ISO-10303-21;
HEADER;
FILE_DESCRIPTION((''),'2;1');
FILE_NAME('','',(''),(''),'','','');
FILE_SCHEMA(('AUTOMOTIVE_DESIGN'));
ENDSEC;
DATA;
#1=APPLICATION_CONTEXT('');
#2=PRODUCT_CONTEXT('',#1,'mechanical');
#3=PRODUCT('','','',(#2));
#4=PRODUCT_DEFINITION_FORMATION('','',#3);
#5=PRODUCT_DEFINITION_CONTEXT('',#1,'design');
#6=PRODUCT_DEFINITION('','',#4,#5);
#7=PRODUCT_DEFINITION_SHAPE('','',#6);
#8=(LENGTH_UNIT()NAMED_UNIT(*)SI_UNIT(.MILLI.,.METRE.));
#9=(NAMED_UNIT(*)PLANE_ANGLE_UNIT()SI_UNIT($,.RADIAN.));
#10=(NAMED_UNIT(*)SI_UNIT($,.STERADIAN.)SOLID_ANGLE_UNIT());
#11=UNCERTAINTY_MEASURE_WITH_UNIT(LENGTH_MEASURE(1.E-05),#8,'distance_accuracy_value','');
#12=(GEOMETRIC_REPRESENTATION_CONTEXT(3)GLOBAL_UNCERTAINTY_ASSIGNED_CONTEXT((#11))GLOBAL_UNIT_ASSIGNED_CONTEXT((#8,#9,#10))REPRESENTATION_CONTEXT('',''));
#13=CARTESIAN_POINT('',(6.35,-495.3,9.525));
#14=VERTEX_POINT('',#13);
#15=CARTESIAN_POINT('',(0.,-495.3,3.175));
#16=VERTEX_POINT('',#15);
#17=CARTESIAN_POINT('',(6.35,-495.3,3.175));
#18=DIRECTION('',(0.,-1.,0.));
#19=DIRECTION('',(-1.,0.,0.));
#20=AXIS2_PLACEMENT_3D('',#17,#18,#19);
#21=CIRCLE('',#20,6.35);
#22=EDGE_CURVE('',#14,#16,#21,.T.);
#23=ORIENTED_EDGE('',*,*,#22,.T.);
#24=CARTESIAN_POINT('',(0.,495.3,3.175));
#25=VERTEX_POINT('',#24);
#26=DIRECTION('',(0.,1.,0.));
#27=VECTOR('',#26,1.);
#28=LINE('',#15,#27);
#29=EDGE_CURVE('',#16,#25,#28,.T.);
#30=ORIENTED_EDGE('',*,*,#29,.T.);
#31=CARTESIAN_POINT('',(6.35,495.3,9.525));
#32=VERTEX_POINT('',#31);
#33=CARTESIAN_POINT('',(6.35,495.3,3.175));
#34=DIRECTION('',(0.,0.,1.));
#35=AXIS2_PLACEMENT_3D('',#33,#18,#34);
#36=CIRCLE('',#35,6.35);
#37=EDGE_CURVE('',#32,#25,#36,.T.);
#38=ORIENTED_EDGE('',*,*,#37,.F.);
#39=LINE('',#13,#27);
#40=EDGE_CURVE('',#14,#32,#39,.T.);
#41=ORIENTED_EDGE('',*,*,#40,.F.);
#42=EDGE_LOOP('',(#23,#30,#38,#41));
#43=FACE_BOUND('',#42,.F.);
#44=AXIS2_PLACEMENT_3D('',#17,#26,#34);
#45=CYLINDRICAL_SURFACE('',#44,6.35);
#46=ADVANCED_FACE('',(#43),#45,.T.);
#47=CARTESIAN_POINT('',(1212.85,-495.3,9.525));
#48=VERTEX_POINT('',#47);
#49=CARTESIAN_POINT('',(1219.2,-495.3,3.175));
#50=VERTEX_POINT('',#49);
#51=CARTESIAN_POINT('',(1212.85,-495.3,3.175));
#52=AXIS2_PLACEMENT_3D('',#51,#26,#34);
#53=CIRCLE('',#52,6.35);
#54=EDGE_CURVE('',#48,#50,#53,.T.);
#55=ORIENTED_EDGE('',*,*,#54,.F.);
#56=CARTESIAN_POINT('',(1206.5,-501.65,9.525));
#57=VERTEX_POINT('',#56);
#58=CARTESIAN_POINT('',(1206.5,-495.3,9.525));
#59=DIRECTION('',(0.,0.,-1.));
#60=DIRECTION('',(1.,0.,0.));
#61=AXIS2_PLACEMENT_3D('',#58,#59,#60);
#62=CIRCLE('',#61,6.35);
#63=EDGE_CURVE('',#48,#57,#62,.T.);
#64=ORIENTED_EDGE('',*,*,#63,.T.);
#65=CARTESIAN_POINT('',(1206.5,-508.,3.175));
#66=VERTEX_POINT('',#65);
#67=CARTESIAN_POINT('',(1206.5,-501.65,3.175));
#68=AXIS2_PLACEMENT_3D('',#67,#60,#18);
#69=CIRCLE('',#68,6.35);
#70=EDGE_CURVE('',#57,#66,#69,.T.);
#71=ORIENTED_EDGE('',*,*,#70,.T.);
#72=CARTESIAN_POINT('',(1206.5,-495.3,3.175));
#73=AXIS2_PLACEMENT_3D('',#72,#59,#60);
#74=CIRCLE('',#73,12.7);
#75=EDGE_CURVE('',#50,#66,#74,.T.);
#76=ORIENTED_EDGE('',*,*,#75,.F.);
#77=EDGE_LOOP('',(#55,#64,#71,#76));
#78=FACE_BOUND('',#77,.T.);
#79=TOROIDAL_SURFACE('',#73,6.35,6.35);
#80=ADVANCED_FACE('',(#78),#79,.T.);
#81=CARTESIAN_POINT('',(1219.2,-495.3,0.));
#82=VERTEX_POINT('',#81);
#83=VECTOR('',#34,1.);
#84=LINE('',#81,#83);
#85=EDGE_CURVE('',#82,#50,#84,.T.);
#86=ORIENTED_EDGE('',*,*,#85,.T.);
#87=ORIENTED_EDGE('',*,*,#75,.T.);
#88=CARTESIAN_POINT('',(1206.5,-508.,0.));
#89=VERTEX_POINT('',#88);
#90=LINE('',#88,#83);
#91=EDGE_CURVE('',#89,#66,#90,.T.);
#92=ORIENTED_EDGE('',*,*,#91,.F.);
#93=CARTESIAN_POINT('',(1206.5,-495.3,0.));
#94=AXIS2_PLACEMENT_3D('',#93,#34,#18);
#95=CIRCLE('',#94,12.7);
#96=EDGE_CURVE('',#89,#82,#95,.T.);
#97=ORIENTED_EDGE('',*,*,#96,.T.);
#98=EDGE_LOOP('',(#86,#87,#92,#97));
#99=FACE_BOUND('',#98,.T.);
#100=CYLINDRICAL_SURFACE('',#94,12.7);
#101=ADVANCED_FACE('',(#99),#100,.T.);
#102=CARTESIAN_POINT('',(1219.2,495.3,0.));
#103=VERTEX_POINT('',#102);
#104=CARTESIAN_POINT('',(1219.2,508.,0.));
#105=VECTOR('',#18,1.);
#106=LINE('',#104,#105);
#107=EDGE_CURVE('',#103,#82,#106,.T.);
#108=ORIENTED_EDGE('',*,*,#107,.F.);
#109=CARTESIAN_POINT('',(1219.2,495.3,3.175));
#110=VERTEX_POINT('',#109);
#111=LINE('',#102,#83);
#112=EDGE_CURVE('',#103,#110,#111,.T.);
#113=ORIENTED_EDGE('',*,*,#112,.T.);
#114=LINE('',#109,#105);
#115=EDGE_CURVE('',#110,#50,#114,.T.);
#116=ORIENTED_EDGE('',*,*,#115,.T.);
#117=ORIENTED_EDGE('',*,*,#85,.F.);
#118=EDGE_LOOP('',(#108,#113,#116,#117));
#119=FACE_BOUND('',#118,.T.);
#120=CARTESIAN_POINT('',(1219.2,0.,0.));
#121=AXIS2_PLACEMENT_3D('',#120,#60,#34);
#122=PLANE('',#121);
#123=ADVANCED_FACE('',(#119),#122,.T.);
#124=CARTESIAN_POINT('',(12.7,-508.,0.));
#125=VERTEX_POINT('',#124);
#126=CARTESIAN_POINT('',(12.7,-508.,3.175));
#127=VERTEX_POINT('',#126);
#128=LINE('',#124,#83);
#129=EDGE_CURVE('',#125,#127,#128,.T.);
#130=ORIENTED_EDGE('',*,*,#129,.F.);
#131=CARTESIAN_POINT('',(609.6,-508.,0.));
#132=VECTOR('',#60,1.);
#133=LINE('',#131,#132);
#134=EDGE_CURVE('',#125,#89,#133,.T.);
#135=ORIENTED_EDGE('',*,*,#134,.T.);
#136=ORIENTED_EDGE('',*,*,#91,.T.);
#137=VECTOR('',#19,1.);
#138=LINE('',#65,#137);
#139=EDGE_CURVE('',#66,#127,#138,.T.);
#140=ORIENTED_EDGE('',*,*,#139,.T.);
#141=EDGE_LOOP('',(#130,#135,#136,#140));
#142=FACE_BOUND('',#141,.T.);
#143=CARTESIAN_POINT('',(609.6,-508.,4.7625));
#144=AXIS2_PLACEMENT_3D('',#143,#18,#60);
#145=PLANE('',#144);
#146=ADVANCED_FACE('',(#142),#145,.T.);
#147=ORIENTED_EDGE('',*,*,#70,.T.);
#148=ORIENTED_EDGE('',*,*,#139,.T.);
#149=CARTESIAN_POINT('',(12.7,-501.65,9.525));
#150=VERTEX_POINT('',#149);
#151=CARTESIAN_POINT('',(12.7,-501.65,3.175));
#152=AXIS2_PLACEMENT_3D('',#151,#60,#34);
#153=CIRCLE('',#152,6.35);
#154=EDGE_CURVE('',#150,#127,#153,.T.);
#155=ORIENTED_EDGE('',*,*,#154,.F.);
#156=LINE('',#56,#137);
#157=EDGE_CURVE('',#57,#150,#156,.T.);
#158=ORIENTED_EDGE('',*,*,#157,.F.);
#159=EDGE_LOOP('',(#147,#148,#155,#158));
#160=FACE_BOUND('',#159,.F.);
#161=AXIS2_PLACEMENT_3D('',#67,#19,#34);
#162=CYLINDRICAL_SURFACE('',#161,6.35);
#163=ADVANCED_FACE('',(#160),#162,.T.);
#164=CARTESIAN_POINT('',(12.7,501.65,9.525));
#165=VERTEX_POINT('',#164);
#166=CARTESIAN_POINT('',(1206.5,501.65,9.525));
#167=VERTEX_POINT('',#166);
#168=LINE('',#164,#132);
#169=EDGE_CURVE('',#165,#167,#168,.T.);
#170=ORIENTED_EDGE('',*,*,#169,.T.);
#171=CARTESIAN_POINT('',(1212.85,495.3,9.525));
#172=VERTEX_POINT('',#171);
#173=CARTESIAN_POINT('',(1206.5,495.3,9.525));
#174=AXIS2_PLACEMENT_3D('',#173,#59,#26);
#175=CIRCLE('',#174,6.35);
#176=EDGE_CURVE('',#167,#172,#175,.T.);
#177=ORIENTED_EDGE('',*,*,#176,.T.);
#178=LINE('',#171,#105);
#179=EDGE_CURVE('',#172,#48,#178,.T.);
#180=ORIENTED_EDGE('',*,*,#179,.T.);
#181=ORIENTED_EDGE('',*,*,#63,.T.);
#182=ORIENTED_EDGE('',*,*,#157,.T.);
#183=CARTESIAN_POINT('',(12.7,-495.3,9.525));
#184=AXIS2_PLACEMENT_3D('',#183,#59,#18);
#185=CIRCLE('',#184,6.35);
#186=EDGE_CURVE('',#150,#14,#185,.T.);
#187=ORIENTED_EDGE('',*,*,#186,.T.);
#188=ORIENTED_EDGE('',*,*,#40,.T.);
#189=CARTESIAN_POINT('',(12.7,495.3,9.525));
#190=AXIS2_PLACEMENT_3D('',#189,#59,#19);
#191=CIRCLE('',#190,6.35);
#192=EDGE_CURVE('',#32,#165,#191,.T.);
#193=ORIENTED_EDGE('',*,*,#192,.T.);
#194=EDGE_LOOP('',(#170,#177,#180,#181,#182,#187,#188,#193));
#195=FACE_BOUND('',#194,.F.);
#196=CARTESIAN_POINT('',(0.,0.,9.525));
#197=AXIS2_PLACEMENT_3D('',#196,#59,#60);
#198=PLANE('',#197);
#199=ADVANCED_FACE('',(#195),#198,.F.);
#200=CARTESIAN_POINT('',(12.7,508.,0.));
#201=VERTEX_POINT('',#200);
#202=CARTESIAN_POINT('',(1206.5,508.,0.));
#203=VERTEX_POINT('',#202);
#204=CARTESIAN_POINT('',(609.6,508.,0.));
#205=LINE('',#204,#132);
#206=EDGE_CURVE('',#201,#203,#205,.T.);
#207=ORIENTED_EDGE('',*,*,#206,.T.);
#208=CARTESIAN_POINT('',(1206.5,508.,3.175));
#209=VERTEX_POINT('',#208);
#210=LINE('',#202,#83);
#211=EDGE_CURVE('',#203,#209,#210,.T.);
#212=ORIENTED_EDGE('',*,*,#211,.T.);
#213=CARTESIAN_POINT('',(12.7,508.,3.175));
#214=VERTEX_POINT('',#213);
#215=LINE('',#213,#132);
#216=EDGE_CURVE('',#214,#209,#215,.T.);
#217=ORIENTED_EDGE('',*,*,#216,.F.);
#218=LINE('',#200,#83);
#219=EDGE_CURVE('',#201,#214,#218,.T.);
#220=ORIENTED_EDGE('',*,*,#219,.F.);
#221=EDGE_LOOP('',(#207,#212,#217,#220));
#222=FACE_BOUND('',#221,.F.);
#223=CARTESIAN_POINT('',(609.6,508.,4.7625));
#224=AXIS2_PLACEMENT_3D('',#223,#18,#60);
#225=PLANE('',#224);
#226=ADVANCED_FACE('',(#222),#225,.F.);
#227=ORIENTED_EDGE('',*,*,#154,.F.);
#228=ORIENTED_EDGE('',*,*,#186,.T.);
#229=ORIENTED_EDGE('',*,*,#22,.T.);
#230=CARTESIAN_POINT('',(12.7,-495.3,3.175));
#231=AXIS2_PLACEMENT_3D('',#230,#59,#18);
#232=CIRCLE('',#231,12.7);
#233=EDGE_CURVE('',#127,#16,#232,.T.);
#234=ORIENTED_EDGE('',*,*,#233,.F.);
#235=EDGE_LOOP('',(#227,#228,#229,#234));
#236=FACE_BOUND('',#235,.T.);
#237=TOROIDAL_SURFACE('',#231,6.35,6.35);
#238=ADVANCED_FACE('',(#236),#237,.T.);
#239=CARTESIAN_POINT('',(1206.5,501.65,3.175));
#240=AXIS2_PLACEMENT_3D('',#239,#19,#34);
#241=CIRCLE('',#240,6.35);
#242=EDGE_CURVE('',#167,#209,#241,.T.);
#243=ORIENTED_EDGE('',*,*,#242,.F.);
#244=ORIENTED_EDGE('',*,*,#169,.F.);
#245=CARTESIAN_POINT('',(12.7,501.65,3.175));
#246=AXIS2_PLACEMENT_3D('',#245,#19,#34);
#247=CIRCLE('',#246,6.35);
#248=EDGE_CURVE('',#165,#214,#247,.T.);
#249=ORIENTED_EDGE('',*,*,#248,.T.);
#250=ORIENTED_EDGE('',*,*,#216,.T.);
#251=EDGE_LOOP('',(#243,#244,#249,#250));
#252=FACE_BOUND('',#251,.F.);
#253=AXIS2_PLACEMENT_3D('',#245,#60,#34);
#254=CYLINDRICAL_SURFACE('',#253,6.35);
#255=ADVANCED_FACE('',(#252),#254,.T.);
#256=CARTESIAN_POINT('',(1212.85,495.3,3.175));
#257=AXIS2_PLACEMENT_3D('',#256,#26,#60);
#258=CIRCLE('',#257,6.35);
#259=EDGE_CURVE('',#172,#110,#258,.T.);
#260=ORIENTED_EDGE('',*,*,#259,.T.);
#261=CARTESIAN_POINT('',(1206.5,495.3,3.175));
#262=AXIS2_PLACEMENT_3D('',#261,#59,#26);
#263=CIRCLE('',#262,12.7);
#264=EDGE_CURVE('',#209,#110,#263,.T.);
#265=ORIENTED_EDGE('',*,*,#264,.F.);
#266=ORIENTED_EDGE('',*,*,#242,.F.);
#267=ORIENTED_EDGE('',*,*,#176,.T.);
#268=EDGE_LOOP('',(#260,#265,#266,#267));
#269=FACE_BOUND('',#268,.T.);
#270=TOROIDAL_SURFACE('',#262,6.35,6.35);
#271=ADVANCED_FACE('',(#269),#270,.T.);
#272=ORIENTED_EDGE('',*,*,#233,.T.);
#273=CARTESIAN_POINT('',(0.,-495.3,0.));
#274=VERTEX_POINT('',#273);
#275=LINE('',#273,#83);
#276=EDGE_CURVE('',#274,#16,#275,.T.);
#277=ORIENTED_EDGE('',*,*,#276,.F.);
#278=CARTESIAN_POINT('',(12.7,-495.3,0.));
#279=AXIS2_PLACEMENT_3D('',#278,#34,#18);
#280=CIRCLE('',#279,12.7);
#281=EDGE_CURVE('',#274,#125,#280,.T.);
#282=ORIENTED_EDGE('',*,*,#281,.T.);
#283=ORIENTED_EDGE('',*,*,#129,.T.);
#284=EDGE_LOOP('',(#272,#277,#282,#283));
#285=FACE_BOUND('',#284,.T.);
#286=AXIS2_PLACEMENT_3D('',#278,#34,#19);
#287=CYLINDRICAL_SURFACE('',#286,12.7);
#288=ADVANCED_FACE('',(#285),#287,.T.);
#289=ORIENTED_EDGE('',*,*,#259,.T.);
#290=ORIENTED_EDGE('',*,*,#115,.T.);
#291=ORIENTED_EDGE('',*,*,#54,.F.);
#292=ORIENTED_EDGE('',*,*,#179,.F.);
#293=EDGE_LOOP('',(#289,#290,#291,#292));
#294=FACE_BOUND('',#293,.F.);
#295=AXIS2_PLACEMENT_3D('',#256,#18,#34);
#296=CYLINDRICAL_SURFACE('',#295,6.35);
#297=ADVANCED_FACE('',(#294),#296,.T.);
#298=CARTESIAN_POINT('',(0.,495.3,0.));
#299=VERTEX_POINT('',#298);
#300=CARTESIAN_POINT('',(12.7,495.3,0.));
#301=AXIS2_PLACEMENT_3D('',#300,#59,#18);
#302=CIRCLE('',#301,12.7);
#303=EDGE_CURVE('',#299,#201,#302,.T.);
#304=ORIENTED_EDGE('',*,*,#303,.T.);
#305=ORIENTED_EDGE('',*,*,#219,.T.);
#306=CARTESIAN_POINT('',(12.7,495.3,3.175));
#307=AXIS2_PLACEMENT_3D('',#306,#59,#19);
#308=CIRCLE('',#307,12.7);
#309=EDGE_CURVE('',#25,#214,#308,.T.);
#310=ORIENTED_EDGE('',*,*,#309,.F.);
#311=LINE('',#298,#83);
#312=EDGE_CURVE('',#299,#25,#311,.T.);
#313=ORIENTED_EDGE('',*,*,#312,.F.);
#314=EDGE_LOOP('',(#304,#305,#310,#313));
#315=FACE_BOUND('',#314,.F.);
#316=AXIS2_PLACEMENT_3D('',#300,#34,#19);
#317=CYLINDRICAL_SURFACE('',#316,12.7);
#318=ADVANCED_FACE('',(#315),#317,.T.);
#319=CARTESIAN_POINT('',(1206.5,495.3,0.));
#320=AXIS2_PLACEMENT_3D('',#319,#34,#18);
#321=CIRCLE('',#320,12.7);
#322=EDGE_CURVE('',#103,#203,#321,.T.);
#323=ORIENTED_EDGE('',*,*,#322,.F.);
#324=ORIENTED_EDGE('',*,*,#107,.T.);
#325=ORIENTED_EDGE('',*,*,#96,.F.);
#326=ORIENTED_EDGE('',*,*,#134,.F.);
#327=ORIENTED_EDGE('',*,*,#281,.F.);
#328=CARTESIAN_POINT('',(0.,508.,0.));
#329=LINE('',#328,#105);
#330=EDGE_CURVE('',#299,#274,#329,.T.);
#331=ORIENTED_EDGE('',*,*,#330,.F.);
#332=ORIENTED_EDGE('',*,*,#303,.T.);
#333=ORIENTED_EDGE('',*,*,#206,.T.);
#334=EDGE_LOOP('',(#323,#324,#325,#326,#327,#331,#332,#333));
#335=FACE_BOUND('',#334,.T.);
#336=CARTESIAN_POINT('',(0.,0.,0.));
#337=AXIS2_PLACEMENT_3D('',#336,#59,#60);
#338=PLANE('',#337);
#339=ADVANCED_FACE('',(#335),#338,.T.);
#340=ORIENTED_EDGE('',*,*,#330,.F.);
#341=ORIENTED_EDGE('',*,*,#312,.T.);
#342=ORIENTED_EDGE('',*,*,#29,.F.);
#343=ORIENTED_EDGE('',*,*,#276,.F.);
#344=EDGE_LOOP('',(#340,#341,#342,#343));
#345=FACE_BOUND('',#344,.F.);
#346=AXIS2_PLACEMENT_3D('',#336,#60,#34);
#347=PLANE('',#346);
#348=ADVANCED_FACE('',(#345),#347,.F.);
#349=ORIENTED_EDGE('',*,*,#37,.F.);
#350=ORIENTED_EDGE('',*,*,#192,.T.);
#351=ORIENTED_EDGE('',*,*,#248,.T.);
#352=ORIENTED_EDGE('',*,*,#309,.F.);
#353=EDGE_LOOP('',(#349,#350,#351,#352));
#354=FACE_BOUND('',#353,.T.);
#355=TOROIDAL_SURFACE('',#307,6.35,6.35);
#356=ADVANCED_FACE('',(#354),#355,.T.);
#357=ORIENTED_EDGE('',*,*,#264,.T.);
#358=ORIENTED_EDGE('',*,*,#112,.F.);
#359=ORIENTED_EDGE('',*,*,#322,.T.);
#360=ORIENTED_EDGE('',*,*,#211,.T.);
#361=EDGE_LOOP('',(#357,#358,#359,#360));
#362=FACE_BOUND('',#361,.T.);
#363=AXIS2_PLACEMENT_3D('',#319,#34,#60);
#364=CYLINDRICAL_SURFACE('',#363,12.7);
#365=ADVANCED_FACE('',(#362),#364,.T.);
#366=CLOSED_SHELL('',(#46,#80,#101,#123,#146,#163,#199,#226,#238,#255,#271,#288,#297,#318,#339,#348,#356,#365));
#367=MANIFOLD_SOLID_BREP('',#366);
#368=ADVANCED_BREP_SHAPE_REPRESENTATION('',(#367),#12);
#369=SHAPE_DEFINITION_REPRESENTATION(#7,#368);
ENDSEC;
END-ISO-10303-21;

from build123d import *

# Parameters (mm, degrees)
F0_W     = 1219.2
F0_H     = 9.525
F1_DEPTH = 508
F2_R     = 12.7
F3_R     = 6.35


with BuildPart() as f1:
    # F0 (on Front) → F1 (new body, symmetric)
    with BuildSketch(Plane.XZ):
        with Locations((609.6, 4.7625)):
            Rectangle(F0_W, F0_H)
    extrude(amount=F1_DEPTH, both=True)

    # F2
    f2_edges = [f1.edges().sort_by_distance(p)[0] for p in [
        (1219.2, -508, 4.7625),
        (1219.2, 508, 4.7625),
        (0, 508, 4.7625),
        (0, -508, 4.7625),
    ]]
    fillet(f2_edges, radius=F2_R)

    # F3
    f3_edges = [f1.edges().sort_by_distance(p)[0] for p in [
        (609.6, 508, 9.525),
        (1215.480256, 504.280256, 9.525),
        (3.719744, 504.280256, 9.525),
        (1219.2, 0, 9.525),
        (0, 0, 9.525),
        (1215.480256, -504.280256, 9.525),
        (3.719744, -504.280256, 9.525),
        (609.6, -508, 9.525),
    ]]
    fillet(f3_edges, radius=F3_R)


solid = f1.part
